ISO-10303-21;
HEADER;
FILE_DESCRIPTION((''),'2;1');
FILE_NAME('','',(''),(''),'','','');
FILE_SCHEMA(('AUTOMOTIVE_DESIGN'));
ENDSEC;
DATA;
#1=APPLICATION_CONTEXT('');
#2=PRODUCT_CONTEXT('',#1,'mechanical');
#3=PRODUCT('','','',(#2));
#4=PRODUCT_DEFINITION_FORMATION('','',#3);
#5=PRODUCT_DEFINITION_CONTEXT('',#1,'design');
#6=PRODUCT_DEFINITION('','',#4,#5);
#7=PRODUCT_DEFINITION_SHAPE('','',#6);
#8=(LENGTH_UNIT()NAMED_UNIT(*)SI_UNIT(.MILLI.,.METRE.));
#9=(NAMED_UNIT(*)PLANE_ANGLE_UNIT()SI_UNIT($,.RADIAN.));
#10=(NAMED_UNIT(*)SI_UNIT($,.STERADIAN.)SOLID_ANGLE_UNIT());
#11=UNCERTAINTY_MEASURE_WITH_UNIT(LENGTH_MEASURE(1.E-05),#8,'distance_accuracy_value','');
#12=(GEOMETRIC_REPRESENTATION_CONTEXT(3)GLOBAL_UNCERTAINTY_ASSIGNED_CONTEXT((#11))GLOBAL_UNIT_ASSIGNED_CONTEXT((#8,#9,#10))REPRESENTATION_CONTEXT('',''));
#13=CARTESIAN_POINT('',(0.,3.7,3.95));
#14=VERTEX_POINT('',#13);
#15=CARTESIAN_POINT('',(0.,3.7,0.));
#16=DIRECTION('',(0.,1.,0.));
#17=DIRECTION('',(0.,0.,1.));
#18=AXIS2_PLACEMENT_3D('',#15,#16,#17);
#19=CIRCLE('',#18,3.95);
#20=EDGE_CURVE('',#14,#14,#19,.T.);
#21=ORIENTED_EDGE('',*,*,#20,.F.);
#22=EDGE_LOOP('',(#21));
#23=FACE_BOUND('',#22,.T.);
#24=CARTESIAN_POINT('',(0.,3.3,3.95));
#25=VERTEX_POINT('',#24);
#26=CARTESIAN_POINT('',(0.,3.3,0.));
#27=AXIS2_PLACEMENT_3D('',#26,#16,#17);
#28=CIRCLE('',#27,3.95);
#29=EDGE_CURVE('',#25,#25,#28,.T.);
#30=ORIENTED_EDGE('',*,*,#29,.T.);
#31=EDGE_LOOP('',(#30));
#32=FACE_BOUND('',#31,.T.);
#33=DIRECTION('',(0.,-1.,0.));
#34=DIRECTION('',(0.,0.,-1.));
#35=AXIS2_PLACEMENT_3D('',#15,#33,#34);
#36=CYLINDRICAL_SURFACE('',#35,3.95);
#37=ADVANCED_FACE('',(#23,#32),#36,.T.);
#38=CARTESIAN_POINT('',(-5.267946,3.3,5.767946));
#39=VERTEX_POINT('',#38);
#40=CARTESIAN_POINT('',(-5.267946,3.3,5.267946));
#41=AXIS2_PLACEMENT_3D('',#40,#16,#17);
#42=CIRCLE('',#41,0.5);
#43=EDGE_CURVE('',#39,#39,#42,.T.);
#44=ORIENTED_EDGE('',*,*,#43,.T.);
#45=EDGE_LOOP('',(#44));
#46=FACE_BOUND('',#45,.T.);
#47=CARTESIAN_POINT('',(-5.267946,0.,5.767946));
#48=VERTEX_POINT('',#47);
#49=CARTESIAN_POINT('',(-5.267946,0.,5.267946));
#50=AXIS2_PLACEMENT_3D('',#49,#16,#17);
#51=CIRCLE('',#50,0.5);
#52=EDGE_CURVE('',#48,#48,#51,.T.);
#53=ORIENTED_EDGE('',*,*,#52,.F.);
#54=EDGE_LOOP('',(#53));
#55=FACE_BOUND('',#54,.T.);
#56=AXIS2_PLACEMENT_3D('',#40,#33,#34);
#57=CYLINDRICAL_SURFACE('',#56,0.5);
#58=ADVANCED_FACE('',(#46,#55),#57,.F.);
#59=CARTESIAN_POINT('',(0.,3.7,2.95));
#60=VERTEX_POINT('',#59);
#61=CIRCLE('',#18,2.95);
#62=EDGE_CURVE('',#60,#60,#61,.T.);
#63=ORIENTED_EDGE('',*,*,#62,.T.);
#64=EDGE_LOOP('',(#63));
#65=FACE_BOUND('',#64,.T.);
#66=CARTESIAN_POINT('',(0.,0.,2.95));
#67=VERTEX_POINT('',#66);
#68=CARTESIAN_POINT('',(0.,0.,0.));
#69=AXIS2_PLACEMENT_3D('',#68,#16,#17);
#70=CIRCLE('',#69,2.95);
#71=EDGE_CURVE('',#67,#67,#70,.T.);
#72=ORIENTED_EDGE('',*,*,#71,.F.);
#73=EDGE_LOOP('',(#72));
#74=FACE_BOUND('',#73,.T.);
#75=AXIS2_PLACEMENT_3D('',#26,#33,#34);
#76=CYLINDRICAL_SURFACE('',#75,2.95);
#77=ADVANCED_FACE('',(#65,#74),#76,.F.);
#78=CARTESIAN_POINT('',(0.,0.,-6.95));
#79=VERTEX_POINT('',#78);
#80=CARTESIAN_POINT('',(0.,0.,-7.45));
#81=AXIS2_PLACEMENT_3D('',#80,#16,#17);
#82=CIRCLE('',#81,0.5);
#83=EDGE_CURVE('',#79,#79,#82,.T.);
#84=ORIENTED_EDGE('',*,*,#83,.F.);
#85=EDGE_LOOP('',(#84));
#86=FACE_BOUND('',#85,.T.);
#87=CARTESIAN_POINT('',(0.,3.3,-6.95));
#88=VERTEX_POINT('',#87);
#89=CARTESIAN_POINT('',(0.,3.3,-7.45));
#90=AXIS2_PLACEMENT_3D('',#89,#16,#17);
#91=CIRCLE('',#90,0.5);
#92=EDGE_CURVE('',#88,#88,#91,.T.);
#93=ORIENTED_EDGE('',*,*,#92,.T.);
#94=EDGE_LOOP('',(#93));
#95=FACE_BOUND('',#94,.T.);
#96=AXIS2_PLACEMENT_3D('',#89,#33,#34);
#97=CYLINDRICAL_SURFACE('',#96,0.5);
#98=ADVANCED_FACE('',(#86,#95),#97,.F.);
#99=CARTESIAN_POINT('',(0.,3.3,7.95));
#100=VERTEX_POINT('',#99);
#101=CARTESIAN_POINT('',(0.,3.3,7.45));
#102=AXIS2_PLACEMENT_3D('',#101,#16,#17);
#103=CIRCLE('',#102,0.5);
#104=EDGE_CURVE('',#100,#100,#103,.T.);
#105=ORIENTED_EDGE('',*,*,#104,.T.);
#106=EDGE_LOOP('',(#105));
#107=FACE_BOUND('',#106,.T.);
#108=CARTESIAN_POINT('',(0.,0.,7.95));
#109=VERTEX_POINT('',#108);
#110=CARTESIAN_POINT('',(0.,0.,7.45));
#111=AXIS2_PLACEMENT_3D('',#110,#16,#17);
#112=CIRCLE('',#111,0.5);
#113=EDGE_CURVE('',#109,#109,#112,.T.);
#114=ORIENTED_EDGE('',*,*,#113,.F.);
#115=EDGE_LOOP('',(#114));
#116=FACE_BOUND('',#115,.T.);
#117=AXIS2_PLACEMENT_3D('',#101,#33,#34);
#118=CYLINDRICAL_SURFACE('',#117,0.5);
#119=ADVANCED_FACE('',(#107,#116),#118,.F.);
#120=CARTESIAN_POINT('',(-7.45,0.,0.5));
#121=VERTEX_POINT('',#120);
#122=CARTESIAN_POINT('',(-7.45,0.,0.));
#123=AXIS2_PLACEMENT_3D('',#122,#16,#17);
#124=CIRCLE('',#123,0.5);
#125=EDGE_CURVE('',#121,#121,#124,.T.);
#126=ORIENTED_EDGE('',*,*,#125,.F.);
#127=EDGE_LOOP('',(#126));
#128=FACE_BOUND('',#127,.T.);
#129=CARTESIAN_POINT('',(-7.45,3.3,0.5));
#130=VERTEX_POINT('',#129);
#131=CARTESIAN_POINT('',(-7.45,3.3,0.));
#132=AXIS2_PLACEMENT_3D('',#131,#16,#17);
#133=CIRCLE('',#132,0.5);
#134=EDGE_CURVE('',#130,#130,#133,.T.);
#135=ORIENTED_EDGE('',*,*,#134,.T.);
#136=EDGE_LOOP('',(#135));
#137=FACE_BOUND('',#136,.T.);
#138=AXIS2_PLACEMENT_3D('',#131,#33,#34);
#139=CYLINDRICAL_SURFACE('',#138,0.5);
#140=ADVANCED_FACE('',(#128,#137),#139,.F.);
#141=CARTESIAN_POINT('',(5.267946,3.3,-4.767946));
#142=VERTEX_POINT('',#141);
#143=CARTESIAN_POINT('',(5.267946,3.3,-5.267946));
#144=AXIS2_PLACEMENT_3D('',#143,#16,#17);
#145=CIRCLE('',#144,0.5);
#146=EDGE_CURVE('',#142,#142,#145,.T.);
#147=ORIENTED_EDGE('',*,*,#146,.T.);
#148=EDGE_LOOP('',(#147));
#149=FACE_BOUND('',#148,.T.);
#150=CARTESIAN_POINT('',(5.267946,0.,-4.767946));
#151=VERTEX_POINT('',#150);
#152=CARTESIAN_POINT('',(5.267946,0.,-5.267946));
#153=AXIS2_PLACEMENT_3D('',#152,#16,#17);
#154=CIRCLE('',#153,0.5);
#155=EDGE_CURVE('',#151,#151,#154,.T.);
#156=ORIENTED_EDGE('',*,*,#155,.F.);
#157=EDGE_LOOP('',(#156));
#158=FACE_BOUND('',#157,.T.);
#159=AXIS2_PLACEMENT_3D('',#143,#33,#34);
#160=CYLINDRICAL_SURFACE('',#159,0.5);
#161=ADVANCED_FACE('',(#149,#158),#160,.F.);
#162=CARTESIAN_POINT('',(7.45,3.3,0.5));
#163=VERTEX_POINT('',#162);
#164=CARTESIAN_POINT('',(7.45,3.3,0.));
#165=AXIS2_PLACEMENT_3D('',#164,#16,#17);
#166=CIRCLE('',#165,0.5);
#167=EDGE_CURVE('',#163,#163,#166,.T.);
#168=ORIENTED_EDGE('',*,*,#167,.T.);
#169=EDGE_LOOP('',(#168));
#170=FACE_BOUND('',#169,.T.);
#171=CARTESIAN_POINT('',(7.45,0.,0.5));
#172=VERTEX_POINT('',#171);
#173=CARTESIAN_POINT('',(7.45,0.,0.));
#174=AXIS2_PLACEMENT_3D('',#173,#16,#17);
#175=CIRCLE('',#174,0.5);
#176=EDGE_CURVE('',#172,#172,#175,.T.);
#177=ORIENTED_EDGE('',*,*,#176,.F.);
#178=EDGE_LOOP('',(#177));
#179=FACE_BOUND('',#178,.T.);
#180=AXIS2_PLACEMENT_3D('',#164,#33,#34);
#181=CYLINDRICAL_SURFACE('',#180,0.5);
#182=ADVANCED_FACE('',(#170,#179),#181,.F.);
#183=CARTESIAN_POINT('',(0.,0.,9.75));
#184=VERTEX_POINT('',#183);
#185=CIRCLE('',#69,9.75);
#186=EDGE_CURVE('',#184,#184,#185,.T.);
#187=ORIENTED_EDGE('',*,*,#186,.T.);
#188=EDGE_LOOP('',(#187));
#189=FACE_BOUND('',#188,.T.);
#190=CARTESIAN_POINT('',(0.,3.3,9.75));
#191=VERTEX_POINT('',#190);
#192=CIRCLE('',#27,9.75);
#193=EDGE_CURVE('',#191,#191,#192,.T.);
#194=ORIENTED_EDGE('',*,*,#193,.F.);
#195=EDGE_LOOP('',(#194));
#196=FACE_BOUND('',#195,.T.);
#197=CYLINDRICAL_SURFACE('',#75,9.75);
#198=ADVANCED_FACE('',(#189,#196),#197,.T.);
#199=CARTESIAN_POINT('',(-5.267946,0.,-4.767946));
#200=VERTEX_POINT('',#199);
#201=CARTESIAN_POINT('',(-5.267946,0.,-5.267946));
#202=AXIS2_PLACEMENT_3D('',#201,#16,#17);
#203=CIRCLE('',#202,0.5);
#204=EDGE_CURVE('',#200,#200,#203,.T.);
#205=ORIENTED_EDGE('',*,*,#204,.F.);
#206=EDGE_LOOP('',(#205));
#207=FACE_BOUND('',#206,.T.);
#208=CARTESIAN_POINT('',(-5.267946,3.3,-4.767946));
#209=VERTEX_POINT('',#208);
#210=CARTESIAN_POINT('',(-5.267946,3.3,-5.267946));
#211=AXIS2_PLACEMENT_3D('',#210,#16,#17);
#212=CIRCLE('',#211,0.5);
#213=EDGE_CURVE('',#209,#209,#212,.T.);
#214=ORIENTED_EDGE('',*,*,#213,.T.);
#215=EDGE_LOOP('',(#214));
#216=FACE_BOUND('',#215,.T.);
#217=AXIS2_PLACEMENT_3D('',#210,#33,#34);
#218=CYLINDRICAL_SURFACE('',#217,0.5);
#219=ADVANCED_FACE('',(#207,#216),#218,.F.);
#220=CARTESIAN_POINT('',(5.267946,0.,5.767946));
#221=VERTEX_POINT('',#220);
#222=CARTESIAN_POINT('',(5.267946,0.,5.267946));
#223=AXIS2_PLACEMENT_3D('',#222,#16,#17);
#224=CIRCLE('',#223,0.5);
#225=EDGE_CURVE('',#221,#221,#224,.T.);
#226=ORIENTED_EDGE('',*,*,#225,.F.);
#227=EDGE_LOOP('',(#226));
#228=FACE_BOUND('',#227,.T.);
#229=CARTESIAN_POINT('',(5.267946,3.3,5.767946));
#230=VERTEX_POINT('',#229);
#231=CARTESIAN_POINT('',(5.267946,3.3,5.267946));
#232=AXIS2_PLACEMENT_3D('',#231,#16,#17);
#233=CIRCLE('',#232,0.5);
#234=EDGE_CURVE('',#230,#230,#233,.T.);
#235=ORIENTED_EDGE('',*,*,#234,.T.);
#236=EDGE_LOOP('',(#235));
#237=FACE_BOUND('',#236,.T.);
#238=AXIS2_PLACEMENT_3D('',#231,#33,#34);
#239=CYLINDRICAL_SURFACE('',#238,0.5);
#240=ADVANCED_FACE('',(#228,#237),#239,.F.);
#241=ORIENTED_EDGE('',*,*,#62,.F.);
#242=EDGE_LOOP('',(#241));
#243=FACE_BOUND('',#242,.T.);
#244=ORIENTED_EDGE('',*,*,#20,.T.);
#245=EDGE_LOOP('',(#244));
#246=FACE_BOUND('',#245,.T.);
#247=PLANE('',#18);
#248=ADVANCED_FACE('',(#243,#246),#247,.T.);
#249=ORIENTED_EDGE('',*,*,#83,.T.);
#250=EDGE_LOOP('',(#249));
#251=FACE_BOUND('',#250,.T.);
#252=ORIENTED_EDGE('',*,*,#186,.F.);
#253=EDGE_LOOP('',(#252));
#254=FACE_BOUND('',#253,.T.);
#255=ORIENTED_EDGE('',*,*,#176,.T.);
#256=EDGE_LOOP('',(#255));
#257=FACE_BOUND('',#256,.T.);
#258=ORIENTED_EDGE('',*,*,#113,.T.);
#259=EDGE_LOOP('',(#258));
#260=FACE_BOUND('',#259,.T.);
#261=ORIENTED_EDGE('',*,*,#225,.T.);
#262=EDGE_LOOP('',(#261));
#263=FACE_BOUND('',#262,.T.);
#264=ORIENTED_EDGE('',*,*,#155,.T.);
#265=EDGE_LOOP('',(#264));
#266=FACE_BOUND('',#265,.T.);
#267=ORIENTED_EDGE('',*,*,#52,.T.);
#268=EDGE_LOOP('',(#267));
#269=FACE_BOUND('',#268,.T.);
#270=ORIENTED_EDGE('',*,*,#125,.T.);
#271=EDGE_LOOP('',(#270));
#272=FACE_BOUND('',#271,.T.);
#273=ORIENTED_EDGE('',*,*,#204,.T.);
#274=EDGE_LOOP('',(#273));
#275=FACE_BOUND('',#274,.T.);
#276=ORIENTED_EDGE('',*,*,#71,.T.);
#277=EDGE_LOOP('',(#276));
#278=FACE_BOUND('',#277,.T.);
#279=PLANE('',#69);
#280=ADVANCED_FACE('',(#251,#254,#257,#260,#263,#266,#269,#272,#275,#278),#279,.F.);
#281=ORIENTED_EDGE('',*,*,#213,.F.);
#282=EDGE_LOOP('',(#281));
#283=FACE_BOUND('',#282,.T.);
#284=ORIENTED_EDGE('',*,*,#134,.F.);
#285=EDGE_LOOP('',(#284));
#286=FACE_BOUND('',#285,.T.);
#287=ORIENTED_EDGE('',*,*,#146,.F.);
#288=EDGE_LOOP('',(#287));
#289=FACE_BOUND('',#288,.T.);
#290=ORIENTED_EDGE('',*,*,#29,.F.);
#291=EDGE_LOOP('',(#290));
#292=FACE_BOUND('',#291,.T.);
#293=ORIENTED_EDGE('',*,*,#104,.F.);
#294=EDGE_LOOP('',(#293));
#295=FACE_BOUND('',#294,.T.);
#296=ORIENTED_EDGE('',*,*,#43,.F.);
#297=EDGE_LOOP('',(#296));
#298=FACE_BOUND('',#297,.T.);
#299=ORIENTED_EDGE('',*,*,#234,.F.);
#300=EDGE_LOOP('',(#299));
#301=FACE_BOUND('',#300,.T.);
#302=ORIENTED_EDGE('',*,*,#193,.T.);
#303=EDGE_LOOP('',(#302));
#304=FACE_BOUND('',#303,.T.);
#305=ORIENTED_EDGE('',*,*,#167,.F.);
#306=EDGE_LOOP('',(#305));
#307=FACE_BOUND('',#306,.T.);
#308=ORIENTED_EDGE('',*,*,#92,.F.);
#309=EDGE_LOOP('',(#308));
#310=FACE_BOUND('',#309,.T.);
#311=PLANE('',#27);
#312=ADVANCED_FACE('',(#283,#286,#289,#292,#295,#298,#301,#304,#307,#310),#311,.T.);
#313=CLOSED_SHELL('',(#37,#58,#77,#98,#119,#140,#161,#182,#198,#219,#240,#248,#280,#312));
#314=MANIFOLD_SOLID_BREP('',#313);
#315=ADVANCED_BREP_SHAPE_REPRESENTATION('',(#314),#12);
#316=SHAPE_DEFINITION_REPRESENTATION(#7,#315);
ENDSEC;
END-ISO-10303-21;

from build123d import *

# Parameters (mm, degrees)
SKETCH1_R           = 9.75
SKETCH1_R_2         = 2.95
SKETCH1_R_3         = 0.5
BOSS_EXTRUDE1_DEPTH = 3.3
SKETCH2_R           = 3.95
SKETCH2_R_2         = 2.95
BOSS_EXTRUDE2_DEPTH = 0.4


with BuildPart() as part:
    # Sketch1 → Boss-Extrude1 (new body)
    with BuildSketch(Plane(origin=(0, 0, 0), x_dir=(1, 0, 0), z_dir=(0, 1, 0))):
        with Locations(Location((0, 0, 0), (0, 0, 270))):
            Circle(SKETCH1_R)
        with Locations(Location((0, 0, 0), (0, 0, 270))):
            Circle(SKETCH1_R_2, mode=Mode.SUBTRACT)
        with Locations(Location((0, 7.45, 0), (0, 0, 270))):
            Circle(SKETCH1_R_3, mode=Mode.SUBTRACT)
        with Locations(Location((5.26794552, 5.26794552, 0), (0, 0, 270))):
            Circle(SKETCH1_R_3, mode=Mode.SUBTRACT)
        with Locations(Location((7.45, 0, 0), (0, 0, 270))):
            Circle(SKETCH1_R_3, mode=Mode.SUBTRACT)
        with Locations(Location((5.26794552, -5.26794552, 0), (0, 0, 270))):
            Circle(SKETCH1_R_3, mode=Mode.SUBTRACT)
        with Locations(Location((0, -7.45, 0), (0, 0, 270))):
            Circle(SKETCH1_R_3, mode=Mode.SUBTRACT)
        with Locations(Location((-5.26794552, -5.26794552, 0), (0, 0, 270))):
            Circle(SKETCH1_R_3, mode=Mode.SUBTRACT)
        with Locations(Location((-7.45, 0, 0), (0, 0, 270))):
            Circle(SKETCH1_R_3, mode=Mode.SUBTRACT)
        with Locations(Location((-5.26794552, 5.26794552, 0), (0, 0, 270))):
            Circle(SKETCH1_R_3, mode=Mode.SUBTRACT)
    extrude(amount=BOSS_EXTRUDE1_DEPTH)

    # Sketch2 → Boss-Extrude2 (add)
    with BuildSketch(Plane(origin=(0, 3.3, 0), x_dir=(1, 0, 0), z_dir=(0, 1, 0))):
        with Locations(Location((0, 0, 0), (0, 0, 270))):
            Circle(SKETCH2_R)
        with Locations(Location((0, 0, 0), (0, 0, 270))):
            Circle(SKETCH2_R_2, mode=Mode.SUBTRACT)
    extrude(amount=BOSS_EXTRUDE2_DEPTH)


solid = part.part
